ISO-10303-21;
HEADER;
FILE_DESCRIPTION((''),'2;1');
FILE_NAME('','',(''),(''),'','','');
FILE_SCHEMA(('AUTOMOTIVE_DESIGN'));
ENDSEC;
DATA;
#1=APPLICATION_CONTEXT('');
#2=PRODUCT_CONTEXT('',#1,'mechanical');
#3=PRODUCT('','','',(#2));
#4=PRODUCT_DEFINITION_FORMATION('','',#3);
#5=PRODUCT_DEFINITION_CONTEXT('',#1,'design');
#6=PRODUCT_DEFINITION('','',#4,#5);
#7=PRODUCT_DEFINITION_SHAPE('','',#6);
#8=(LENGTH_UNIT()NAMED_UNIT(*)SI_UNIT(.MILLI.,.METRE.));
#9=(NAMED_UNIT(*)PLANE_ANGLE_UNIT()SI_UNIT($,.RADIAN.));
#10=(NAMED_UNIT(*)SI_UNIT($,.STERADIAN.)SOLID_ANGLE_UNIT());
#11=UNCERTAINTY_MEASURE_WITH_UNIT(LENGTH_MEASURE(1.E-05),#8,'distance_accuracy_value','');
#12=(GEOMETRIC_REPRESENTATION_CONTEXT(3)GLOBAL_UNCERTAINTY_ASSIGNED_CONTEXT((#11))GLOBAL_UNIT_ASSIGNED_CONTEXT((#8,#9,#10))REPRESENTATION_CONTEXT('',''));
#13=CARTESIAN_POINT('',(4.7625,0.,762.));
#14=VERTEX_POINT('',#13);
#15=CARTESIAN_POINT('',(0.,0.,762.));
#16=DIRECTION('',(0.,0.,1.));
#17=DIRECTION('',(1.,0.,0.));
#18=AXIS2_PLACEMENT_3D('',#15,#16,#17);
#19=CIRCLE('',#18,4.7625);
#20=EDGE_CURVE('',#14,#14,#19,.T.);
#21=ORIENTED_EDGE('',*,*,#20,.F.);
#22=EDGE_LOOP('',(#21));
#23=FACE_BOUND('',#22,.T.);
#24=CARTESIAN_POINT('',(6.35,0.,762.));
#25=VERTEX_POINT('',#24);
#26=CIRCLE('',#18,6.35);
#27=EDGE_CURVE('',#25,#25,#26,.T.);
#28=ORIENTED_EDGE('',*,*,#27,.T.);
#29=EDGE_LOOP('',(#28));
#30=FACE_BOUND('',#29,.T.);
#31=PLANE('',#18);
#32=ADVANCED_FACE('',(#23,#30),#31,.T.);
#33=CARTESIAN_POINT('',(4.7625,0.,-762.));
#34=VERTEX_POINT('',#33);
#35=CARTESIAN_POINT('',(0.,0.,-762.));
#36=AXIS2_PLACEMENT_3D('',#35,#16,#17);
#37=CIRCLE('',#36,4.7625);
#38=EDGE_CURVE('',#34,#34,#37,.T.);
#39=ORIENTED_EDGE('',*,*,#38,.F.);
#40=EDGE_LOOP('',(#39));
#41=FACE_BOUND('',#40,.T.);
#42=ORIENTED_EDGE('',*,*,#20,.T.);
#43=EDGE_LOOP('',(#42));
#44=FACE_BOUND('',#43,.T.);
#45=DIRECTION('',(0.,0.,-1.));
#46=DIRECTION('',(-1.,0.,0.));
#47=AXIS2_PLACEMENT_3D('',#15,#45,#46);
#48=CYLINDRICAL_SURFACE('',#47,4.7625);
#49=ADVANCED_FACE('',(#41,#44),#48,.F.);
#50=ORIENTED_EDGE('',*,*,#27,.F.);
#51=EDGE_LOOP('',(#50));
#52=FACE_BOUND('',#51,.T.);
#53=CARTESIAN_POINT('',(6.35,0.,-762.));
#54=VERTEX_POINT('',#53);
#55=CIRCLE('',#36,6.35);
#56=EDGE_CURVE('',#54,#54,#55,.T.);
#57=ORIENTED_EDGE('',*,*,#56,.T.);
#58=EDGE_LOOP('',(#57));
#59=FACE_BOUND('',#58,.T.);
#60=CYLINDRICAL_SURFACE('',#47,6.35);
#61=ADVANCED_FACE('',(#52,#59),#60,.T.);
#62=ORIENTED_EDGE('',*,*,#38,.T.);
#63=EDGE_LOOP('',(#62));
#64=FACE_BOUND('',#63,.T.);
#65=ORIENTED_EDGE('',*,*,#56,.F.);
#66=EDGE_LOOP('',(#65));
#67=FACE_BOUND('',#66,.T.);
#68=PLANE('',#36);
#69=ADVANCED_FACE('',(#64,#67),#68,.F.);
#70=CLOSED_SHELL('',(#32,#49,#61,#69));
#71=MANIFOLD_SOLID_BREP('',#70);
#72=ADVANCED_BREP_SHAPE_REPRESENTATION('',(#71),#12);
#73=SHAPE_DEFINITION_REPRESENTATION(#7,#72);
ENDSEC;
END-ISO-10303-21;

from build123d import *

# Parameters (mm, degrees)
SKETCH3_R           = 6.35
SKETCH3_R_2         = 4.7625
BOSS_EXTRUDE1_DEPTH = 762


with BuildPart() as part:
    # Sketch3 → Boss-Extrude1 (new, symmetric)
    with BuildSketch(Plane.XY):
        Circle(SKETCH3_R)
        Circle(SKETCH3_R_2, mode=Mode.SUBTRACT)
    extrude(amount=BOSS_EXTRUDE1_DEPTH, both=True)


solid = part.part
